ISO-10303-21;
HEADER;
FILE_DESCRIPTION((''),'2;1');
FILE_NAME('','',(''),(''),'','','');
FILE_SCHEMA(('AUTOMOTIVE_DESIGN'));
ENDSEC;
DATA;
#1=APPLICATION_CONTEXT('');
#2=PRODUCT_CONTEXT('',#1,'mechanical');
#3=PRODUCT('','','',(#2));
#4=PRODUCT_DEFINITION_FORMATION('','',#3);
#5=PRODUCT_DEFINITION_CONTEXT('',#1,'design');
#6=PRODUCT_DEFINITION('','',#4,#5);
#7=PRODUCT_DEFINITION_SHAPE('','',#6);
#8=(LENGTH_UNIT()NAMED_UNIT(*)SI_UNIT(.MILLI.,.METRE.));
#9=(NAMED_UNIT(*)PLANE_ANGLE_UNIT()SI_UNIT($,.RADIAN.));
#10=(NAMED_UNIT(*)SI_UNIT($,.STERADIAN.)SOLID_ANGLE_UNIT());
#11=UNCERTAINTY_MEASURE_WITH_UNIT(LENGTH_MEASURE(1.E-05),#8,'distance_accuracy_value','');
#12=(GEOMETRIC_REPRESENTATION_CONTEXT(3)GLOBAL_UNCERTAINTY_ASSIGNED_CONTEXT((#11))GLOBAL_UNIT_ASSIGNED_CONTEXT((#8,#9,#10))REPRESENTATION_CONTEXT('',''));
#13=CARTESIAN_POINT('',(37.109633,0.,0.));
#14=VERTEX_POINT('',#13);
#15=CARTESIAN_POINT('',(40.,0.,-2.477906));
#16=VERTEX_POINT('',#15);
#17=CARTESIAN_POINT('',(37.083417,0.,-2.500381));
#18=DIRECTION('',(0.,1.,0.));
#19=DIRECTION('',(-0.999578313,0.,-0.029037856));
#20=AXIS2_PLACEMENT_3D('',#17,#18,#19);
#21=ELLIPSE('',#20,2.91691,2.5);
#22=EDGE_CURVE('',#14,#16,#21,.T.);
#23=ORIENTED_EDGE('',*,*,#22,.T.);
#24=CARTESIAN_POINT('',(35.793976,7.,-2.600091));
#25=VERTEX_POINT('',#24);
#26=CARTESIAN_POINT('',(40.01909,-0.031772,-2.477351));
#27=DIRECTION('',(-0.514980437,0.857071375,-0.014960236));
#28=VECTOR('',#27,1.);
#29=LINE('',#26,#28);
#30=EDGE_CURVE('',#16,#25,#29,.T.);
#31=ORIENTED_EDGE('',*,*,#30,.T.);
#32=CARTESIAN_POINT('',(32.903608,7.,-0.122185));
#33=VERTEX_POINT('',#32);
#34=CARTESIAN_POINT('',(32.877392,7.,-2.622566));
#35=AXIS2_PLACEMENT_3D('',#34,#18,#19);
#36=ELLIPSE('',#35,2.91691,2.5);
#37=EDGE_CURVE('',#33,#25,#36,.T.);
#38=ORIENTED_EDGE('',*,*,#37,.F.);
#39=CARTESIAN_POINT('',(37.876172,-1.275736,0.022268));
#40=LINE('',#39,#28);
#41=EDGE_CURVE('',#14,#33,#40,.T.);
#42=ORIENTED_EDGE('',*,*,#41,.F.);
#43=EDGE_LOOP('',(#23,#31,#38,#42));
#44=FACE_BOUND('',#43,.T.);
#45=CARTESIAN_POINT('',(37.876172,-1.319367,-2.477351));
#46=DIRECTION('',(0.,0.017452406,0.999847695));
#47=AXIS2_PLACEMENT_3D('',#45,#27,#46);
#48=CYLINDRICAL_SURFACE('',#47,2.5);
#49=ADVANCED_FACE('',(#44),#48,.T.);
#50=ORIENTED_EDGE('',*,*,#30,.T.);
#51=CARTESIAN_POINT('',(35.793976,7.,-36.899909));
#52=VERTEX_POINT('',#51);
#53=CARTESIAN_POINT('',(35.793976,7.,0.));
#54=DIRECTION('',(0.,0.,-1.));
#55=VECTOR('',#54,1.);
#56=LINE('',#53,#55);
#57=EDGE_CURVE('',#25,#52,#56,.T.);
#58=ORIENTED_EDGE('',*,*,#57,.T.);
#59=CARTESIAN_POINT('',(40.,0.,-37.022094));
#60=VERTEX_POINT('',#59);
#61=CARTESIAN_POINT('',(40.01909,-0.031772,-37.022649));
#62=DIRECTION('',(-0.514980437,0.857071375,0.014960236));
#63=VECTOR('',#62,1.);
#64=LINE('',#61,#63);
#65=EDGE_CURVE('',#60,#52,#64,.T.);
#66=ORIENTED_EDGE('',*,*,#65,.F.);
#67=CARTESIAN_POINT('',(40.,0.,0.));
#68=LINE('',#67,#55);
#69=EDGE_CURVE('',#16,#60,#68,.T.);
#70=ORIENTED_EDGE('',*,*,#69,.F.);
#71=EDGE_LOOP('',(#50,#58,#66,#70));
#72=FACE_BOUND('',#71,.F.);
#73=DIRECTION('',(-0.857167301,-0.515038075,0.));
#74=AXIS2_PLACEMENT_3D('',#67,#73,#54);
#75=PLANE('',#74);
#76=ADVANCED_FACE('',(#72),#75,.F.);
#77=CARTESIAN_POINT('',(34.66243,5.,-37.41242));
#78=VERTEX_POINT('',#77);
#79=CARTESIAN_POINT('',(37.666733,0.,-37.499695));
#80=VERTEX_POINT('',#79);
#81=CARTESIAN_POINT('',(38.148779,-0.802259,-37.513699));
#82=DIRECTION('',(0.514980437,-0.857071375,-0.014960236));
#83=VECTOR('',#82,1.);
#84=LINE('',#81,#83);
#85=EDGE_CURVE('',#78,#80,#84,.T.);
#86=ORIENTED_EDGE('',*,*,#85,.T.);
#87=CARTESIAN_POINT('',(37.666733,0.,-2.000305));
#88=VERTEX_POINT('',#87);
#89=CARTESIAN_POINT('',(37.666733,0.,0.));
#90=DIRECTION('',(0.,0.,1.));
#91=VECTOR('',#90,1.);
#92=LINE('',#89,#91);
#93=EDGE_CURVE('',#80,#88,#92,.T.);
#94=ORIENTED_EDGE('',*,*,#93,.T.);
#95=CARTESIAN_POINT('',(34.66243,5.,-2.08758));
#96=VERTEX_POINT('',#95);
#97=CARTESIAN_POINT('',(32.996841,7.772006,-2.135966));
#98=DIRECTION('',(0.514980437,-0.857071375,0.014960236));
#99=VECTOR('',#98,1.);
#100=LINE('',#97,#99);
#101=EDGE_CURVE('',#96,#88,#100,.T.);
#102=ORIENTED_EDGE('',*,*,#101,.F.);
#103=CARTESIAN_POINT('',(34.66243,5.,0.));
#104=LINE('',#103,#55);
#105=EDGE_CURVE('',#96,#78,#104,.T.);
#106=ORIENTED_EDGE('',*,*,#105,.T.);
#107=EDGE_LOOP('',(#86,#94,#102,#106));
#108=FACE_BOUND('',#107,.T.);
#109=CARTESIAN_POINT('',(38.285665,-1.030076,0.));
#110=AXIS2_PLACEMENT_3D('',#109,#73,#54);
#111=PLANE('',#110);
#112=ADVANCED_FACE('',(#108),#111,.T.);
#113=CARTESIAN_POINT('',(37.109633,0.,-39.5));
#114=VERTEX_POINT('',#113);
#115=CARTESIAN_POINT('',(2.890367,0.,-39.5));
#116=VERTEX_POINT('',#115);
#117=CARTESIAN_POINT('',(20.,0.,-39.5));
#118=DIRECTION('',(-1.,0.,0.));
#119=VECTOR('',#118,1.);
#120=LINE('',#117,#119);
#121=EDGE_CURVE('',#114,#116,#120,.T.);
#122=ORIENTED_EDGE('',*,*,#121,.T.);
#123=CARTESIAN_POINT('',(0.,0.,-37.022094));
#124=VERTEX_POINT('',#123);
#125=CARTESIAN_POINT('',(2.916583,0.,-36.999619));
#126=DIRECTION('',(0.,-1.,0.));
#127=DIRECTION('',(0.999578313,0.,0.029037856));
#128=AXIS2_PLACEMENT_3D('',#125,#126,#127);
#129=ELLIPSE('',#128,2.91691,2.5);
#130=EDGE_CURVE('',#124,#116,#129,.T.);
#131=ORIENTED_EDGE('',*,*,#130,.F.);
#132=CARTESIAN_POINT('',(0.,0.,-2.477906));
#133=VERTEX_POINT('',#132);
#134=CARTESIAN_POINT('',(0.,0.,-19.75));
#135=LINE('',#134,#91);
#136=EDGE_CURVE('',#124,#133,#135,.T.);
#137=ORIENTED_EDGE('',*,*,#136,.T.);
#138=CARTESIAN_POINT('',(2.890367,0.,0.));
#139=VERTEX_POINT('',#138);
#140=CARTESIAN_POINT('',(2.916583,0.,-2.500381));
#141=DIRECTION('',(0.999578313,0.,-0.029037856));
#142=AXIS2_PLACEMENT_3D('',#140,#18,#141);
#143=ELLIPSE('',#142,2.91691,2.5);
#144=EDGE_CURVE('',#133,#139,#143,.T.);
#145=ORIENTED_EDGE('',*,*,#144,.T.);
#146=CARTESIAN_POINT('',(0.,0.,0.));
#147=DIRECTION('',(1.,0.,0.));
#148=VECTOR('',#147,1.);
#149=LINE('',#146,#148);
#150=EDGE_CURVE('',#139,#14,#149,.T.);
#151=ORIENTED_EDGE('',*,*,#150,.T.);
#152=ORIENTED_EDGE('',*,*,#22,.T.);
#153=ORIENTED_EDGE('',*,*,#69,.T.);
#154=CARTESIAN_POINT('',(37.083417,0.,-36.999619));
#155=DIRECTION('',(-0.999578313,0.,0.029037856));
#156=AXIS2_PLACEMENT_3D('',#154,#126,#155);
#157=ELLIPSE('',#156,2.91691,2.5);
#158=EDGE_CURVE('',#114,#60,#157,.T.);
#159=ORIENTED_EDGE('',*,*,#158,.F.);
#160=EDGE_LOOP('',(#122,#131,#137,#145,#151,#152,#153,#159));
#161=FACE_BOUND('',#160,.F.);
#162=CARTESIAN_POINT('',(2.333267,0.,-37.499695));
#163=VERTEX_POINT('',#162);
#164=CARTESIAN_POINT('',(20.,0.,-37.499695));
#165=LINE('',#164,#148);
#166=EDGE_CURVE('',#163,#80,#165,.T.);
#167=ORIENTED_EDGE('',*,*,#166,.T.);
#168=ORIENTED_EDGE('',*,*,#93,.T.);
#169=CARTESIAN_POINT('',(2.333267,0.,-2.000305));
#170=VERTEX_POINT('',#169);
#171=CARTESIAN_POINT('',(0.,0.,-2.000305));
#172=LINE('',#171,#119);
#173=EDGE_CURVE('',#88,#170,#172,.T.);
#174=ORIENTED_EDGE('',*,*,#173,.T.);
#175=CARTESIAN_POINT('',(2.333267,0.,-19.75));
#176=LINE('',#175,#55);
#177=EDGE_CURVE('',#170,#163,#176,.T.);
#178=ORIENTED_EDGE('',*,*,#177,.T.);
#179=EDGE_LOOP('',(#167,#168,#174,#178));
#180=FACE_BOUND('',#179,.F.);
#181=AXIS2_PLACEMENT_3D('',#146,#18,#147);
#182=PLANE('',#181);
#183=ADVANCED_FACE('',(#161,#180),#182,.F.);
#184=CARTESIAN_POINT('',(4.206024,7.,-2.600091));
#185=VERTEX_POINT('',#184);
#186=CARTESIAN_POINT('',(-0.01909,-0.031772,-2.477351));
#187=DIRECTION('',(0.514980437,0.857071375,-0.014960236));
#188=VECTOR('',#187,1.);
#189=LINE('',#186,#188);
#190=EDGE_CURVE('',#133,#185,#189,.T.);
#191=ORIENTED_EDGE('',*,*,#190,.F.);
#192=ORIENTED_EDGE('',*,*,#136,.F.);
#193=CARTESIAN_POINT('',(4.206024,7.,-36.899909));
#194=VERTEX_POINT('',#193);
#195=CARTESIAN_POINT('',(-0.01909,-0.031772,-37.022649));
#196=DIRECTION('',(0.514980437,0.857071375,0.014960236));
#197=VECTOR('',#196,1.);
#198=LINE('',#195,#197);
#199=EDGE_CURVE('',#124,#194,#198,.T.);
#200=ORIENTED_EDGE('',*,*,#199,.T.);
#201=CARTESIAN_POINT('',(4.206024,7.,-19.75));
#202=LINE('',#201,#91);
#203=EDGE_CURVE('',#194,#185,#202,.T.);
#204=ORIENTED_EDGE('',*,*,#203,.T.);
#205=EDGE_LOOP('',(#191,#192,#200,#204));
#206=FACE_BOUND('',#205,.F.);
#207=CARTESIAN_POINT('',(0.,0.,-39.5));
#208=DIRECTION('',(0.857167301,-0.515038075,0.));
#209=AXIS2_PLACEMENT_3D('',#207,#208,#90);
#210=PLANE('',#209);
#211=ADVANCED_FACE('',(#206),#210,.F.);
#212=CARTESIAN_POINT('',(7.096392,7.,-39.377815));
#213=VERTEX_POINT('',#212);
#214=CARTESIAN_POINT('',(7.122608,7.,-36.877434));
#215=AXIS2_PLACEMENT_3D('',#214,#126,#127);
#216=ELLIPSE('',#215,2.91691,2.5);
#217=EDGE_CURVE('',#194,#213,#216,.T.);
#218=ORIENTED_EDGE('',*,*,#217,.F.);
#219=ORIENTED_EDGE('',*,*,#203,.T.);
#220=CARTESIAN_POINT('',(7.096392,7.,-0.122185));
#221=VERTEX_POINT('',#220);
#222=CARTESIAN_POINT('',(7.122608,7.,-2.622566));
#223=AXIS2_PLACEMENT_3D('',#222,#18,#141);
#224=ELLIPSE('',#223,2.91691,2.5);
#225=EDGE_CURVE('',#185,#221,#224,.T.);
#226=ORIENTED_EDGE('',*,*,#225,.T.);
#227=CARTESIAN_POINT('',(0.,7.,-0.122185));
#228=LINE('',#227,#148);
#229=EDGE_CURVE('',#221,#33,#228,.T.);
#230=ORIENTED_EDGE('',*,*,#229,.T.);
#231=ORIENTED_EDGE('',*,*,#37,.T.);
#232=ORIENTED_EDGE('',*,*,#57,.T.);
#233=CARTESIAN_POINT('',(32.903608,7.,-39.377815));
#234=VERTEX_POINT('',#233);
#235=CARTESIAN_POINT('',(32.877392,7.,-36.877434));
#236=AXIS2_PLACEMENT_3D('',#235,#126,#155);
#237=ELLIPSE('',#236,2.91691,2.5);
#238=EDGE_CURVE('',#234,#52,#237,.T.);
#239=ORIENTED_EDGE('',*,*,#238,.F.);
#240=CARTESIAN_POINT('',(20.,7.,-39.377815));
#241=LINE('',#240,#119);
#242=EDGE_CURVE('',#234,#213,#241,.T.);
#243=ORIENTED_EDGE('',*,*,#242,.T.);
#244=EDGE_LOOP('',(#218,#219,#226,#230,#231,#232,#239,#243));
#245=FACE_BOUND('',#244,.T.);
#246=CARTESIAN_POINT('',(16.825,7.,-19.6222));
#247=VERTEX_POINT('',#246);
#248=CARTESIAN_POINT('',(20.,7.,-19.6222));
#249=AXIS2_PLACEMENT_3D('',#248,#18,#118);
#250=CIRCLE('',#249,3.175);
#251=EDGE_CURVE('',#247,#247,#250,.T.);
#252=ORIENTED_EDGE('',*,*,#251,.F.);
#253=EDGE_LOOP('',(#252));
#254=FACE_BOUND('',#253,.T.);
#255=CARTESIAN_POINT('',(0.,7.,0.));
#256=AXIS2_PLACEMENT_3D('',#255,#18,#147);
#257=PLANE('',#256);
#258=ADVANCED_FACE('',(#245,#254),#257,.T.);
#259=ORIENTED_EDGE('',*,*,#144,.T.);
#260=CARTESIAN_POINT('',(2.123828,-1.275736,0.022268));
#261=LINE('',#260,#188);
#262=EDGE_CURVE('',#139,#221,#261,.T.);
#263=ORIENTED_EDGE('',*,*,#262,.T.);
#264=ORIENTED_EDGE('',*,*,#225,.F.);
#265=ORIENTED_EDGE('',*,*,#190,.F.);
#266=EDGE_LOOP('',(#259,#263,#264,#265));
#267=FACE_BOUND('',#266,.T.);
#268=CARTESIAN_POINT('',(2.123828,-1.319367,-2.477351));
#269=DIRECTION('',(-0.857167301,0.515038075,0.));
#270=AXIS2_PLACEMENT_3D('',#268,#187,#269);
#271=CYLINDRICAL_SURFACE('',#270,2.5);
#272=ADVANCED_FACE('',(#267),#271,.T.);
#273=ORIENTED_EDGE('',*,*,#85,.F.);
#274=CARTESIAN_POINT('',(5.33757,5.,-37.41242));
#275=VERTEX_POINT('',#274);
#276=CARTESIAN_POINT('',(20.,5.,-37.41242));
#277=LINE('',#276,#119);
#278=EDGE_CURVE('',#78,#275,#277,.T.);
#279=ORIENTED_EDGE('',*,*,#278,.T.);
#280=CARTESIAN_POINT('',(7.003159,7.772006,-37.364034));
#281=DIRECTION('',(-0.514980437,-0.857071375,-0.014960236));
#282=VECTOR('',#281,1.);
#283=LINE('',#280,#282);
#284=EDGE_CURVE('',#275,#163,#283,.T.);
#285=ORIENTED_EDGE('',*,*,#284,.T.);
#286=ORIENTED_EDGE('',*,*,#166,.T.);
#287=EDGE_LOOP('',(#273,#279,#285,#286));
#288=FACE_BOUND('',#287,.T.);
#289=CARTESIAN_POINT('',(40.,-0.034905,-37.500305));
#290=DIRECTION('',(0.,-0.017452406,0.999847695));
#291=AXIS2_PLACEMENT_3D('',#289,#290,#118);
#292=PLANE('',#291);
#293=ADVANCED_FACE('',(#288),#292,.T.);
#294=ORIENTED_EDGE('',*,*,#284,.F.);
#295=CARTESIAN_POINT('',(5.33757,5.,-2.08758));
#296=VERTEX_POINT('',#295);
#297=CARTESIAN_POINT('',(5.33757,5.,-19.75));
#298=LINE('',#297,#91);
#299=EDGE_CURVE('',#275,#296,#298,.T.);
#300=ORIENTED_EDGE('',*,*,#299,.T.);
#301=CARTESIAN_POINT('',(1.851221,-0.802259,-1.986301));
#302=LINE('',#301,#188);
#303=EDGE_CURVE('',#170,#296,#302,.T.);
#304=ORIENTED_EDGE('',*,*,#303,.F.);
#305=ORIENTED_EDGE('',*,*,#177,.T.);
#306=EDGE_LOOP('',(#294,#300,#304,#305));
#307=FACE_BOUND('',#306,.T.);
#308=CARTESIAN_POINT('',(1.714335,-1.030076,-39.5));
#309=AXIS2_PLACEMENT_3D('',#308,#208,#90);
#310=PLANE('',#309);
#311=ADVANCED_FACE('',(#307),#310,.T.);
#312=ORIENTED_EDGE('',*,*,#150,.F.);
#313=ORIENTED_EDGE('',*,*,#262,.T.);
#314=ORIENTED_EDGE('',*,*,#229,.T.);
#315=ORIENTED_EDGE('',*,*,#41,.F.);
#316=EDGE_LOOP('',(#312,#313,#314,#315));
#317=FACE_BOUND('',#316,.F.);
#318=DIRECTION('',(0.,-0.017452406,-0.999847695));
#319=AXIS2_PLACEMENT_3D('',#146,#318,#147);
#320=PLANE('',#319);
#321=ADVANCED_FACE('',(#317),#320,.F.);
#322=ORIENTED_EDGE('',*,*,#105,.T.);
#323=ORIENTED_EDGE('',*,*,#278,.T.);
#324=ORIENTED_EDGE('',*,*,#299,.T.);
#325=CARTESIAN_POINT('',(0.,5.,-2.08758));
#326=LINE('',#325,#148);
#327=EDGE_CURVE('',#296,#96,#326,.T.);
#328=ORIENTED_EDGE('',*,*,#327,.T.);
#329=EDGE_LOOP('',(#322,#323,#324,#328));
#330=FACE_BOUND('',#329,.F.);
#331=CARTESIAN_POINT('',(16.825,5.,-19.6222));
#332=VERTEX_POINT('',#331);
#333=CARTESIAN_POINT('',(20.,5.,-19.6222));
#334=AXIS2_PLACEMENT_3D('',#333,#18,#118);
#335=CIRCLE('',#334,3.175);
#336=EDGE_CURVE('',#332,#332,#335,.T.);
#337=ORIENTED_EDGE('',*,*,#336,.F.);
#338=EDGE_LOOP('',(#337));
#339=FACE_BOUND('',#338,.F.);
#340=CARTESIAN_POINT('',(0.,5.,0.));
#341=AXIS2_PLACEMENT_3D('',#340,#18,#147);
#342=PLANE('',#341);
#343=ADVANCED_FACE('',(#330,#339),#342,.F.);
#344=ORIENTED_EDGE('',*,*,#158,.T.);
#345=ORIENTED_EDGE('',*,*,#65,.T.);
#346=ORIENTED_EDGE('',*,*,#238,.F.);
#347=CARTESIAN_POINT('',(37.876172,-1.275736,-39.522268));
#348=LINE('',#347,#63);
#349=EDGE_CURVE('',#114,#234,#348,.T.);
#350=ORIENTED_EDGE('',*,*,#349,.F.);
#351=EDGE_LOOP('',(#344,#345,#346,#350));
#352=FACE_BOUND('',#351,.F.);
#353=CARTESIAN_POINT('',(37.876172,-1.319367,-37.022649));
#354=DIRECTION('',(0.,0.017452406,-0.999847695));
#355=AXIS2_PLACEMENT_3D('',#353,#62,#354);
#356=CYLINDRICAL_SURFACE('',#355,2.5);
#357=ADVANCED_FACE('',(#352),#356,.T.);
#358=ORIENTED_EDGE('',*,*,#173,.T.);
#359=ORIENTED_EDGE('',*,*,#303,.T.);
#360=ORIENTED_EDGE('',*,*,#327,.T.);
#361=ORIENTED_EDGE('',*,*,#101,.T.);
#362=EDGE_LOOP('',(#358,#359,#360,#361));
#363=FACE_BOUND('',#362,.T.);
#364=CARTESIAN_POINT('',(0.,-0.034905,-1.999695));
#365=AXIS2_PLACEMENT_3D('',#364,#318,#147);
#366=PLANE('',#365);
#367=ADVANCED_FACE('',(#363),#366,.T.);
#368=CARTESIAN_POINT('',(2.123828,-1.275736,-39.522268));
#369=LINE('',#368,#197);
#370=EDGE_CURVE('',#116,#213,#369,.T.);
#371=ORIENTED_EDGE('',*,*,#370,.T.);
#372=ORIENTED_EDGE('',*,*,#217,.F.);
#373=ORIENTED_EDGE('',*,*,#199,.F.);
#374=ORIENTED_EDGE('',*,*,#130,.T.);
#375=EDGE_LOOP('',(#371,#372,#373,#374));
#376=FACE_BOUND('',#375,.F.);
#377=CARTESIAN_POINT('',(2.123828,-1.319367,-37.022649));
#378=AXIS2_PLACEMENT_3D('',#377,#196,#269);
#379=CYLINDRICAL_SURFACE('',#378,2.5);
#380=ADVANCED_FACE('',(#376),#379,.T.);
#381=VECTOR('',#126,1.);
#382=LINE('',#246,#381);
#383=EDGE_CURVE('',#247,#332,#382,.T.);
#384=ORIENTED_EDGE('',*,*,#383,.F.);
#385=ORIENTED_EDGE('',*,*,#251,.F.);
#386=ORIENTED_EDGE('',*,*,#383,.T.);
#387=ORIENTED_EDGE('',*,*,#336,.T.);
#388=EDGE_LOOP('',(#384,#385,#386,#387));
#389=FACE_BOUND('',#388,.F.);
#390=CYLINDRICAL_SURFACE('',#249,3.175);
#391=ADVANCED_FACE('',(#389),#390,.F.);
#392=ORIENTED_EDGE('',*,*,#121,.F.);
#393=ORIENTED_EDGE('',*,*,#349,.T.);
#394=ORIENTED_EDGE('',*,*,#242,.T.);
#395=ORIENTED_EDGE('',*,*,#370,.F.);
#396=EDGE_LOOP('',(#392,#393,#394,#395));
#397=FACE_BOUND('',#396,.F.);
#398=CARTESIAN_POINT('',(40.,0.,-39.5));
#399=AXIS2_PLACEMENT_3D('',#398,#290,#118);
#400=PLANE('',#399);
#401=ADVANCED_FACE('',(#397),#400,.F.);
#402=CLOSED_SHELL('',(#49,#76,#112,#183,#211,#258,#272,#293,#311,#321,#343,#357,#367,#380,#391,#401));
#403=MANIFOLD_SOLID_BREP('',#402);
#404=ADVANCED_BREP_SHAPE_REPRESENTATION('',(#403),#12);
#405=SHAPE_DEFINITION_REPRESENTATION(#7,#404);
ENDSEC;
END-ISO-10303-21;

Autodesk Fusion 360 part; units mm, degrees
sketch "bottom" plane through (0, 0, 0) normal (0, 1, 0) x (1, 0, 0)
  line L0 (0, 0) -> (40, 0)
  line L1 (40, 0) -> (40, 39.5)
  line L2 (40, 39.5) -> (0, 39.5)
  line L3 (0, 39.5) -> (0, 0)
  dimension "d4" = 40
  dimension "d5" = 39.5
extrude "Extrude1" add sketch "bottom" along normal blind 7
draft "Draft1" angle 1 neutral plane through (0, 0, 0) pull (0, 1, 0) 1 faces at (13.3333, 2.3333, 0)
draft "Draft2" angle 31 neutral plane through (0, 0, 0) pull (0, 1, 0) 2 faces at (0, 2.3333, -13.2074) (40, 2.3333, -13.2074)
draft "Draft3" angle 1 neutral plane through (0, 0, 0) pull (0, 1, 0) 1 faces at (14.7353, 2.3333, -39.5)
shell "Shell1" thickness 2 removed faces 1 at (26.6667, 0, -13.1667)
sketch "top" plane through (0, 7, 0) normal (0, 1, 0) x (-1, 0, 0)
  line L0 (-4.206, -39.3778) -> (-4.206, -0.1222)
  line L1 (-4.206, -0.1222) -> (-35.794, -0.1222)
  line L2 (-35.794, -0.1222) -> (-35.794, -39.3778)
  line L3 (-35.794, -39.3778) -> (-4.206, -39.3778)
  line L4 (-20, -0.1222) -> (-20, -19.6222) construction
  circle A0 centre (-20, -19.6222) radius 3.175
  dimension "d23" = 19.5
  dimension "d25" = 6.35
extrude "Extrude2" cut sketch "top" against normal blind 2 contours A0
fillet "Fillet1" radius 2.5 4 edges at (2.103, 3.5, -0.0611) (37.897, 3.5, -0.0611) (37.897, 3.5, -39.4389) (2.103, 3.5, -39.4389)
sketch "Sketch3" plane through (0, 0, 0) normal (0, 0.0175, 0.9998) x (1, 0, 0)
  line L0 (37.1096, 0) -> (32.9036, 7.0011)
  line L1 (32.9036, 7.0011) -> (7.0964, 7.0011)
  line L2 (7.0964, 7.0011) -> (2.8904, 0)
  line L3 (2.8904, 0) -> (37.1096, 0)
  line L4 (20, 7.0011) -> (20, 0) construction
  line L5 (4.9934, 3.5005) -> (35.0066, 3.5005) construction
  line L6 (4.9934, 1.7505) -> (35.0066, 1.7505) construction
  dimension "d31" = 1.75
  dimension "d32" = 3.5
extrude "Extrude3" [suppressed]
equation "PLATE_BASE_WIDTH = 40 mm"
equation "PLATE_BASE_HEIGHT = 39.5 mm"
equation "PLATE_HEIGHT = 7 mm"
equation "d4 = PLATE_BASE_WIDTH"
equation "d5 = PLATE_BASE_HEIGHT"
equation "d6 = PLATE_HEIGHT"
equation "DRAFT_SIDES = 31 deg"
equation "DRAFT_BACK = 1 deg"
equation "DRAFT_FRONT = 1 deg"
equation "d14 = DRAFT_FRONT"
equation "d16 = DRAFT_SIDES"
equation "d17 = DRAFT_SIDES"
equation "d18 = DRAFT_BACK"
equation "SHELL_THICKNESS = 2 mm"
equation "d21 = SHELL_THICKNESS"
equation "THREAD_OFFSET_FRONT = 20 mm"
equation "d23 = PLATE_BASE_HEIGHT - THREAD_OFFSET_FRONT"
equation "THREAD_HOLE_RAD = 0.25 in"
equation "d25 = THREAD_HOLE_RAD"
equation "EDGE_FILLET = 2.5 mm"
equation "d30 = EDGE_FILLET"
equation "d31 = PLATE_HEIGHT / 4"
equation "d32 = PLATE_HEIGHT / 2"
